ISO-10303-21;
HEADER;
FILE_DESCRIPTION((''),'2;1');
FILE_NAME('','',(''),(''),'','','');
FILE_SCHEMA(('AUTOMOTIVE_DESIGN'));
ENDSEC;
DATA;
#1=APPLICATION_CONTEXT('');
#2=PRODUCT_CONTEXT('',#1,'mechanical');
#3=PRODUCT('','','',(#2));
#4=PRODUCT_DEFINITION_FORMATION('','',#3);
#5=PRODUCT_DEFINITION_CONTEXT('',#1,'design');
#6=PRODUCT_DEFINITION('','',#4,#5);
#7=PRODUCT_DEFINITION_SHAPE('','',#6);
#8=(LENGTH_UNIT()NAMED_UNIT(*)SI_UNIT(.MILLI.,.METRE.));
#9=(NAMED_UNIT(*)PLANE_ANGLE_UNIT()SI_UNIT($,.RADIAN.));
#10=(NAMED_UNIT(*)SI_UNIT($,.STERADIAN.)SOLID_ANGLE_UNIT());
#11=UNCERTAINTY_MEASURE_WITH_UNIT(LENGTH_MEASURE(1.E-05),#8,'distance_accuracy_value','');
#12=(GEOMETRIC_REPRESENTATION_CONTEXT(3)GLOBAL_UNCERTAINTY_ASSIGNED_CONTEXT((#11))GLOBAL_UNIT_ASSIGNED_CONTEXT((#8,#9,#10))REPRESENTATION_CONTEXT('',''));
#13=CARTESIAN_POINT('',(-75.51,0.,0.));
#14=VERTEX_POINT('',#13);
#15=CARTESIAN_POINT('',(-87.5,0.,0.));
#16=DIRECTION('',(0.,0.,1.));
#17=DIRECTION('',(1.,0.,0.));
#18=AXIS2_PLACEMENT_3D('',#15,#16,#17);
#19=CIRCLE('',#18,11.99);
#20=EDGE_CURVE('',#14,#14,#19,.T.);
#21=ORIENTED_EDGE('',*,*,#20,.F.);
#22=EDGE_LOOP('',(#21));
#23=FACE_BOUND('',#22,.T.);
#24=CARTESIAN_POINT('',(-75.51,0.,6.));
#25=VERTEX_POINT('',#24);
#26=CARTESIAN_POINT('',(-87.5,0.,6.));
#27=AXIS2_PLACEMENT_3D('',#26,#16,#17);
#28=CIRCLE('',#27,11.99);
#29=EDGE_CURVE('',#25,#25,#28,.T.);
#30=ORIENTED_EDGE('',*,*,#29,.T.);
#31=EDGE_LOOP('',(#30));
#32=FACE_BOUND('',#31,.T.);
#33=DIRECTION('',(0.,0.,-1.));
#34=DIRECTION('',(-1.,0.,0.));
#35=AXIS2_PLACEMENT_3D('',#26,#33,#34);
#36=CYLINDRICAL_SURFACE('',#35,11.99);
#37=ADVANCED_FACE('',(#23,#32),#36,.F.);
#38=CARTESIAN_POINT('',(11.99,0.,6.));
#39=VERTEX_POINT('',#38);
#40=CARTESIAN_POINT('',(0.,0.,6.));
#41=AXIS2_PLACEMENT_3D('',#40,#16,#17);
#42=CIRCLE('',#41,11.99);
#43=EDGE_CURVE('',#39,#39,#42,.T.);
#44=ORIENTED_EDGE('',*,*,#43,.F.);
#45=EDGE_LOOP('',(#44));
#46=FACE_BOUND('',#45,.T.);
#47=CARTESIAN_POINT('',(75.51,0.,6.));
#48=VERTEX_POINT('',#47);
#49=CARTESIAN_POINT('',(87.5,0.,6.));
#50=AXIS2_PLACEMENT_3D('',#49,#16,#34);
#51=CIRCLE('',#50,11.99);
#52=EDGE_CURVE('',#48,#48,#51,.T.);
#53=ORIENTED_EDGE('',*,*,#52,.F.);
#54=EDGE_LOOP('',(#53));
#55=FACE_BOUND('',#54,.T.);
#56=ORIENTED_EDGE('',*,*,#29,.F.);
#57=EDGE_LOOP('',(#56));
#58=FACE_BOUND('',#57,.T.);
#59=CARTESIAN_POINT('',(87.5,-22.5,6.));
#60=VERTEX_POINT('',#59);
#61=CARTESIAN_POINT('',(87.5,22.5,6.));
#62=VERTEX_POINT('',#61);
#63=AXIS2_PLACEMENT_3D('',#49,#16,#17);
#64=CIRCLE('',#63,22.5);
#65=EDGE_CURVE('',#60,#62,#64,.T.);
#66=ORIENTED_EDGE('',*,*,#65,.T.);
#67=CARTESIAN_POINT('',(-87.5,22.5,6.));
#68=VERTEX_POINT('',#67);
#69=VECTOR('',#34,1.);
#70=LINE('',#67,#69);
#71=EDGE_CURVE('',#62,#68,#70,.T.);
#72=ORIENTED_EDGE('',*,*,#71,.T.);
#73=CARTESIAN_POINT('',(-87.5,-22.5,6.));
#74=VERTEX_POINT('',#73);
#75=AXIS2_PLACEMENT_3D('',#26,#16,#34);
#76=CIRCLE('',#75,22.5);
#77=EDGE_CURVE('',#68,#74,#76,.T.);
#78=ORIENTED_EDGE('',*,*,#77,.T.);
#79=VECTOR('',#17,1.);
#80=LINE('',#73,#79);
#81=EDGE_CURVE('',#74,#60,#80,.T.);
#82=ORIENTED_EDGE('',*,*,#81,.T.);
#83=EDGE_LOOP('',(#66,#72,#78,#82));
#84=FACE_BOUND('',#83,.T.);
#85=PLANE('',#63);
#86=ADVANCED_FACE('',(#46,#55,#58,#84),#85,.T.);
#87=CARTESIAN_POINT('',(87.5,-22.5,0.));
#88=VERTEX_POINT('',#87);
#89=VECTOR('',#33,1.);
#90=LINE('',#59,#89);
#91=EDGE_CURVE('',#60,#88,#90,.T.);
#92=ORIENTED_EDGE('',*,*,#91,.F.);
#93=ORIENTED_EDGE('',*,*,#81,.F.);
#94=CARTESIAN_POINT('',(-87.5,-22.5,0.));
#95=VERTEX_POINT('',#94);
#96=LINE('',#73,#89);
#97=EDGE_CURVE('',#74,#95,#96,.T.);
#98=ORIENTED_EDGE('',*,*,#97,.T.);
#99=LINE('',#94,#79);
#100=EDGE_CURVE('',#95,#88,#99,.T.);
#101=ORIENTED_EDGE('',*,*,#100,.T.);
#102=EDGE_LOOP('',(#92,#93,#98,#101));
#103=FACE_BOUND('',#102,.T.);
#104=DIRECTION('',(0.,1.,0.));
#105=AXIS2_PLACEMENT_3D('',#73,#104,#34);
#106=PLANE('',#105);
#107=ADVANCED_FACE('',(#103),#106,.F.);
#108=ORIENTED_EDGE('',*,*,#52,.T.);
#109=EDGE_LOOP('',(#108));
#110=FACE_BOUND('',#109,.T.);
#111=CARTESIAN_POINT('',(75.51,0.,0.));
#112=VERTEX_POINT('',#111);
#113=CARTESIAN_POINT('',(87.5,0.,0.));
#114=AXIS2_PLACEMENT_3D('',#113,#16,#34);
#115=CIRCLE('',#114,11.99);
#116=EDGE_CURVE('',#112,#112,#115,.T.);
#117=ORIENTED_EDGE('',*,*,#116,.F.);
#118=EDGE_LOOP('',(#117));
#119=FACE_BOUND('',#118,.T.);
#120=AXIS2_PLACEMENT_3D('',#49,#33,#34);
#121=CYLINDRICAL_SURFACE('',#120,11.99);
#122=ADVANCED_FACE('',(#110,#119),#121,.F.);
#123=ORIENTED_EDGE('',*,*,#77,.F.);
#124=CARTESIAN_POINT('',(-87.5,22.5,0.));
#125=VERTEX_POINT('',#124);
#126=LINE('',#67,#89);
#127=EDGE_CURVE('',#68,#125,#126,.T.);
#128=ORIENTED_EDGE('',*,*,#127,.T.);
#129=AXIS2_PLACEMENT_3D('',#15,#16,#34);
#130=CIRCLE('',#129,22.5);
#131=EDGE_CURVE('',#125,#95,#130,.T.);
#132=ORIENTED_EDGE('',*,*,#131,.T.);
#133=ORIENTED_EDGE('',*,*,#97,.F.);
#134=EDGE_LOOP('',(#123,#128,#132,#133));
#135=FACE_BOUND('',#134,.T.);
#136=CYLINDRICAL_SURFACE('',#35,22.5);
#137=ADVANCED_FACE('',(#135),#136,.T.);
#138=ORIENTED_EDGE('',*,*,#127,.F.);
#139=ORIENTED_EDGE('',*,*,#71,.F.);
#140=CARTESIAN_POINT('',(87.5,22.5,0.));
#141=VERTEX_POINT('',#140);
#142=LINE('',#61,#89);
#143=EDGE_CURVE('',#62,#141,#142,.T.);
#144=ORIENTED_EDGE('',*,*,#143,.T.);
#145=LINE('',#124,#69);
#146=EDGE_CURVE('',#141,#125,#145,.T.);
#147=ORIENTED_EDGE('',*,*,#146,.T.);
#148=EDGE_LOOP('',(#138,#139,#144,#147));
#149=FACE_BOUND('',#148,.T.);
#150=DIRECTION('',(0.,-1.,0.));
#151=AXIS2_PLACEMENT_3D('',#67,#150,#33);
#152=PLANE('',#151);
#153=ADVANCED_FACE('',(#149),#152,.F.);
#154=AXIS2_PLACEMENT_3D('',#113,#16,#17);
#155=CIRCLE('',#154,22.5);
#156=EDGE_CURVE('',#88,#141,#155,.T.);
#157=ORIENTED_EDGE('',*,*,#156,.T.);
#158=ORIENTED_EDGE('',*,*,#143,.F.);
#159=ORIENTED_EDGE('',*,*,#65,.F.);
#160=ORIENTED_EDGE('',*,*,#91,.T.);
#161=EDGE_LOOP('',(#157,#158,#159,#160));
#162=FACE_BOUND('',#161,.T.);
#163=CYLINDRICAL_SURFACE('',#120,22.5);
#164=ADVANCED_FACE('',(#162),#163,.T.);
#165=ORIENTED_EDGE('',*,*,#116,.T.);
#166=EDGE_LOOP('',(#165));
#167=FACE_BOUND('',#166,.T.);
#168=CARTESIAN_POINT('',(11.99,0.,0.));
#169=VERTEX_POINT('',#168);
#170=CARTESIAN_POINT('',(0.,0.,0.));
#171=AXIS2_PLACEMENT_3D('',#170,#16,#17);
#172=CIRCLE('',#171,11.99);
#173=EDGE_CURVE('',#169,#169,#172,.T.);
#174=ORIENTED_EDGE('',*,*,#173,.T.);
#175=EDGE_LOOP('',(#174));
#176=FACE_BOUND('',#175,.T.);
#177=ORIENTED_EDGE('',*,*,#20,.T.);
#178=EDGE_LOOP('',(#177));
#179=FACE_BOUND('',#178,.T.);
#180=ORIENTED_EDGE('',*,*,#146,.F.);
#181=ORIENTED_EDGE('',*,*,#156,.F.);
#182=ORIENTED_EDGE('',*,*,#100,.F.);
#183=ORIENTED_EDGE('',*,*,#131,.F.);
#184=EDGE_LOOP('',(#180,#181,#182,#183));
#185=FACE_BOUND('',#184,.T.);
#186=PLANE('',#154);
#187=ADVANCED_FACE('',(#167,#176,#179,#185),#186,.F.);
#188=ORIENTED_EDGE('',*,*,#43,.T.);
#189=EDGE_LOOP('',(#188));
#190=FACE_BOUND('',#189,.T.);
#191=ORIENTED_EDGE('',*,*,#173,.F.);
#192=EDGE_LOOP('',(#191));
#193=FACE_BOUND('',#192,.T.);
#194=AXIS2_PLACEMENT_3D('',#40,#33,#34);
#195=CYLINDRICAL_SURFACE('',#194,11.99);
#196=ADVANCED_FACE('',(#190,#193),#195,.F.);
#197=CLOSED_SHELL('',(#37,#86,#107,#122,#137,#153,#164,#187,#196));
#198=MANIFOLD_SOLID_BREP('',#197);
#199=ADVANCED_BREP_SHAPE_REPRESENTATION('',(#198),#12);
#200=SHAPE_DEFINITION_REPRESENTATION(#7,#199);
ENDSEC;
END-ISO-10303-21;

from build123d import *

# Parameters (mm, degrees)
SKETCH2_R           = 11.99
BOSS_EXTRUDE1_DEPTH = 6


with BuildPart() as part:
    # Sketch2 → Boss-Extrude1 (new body)
    with BuildSketch(Plane.XY):
        with BuildLine():
            Line((-87.5, -22.5), (87.5, -22.5))
            ThreePointArc((87.5, -22.5), (110, 0), (87.5, 22.5))
            Line((87.5, 22.5), (-87.5, 22.5))
            ThreePointArc((-87.5, 22.5), (-110, 0), (-87.5, -22.5))
        make_face()
        with Locations((-87.5, 0)):
            Circle(SKETCH2_R, mode=Mode.SUBTRACT)
        with Locations(Location((87.5, 0, 0), (0, 0, 180))):
            Circle(SKETCH2_R, mode=Mode.SUBTRACT)
        Circle(SKETCH2_R, mode=Mode.SUBTRACT)
    extrude(amount=BOSS_EXTRUDE1_DEPTH)


solid = part.part
